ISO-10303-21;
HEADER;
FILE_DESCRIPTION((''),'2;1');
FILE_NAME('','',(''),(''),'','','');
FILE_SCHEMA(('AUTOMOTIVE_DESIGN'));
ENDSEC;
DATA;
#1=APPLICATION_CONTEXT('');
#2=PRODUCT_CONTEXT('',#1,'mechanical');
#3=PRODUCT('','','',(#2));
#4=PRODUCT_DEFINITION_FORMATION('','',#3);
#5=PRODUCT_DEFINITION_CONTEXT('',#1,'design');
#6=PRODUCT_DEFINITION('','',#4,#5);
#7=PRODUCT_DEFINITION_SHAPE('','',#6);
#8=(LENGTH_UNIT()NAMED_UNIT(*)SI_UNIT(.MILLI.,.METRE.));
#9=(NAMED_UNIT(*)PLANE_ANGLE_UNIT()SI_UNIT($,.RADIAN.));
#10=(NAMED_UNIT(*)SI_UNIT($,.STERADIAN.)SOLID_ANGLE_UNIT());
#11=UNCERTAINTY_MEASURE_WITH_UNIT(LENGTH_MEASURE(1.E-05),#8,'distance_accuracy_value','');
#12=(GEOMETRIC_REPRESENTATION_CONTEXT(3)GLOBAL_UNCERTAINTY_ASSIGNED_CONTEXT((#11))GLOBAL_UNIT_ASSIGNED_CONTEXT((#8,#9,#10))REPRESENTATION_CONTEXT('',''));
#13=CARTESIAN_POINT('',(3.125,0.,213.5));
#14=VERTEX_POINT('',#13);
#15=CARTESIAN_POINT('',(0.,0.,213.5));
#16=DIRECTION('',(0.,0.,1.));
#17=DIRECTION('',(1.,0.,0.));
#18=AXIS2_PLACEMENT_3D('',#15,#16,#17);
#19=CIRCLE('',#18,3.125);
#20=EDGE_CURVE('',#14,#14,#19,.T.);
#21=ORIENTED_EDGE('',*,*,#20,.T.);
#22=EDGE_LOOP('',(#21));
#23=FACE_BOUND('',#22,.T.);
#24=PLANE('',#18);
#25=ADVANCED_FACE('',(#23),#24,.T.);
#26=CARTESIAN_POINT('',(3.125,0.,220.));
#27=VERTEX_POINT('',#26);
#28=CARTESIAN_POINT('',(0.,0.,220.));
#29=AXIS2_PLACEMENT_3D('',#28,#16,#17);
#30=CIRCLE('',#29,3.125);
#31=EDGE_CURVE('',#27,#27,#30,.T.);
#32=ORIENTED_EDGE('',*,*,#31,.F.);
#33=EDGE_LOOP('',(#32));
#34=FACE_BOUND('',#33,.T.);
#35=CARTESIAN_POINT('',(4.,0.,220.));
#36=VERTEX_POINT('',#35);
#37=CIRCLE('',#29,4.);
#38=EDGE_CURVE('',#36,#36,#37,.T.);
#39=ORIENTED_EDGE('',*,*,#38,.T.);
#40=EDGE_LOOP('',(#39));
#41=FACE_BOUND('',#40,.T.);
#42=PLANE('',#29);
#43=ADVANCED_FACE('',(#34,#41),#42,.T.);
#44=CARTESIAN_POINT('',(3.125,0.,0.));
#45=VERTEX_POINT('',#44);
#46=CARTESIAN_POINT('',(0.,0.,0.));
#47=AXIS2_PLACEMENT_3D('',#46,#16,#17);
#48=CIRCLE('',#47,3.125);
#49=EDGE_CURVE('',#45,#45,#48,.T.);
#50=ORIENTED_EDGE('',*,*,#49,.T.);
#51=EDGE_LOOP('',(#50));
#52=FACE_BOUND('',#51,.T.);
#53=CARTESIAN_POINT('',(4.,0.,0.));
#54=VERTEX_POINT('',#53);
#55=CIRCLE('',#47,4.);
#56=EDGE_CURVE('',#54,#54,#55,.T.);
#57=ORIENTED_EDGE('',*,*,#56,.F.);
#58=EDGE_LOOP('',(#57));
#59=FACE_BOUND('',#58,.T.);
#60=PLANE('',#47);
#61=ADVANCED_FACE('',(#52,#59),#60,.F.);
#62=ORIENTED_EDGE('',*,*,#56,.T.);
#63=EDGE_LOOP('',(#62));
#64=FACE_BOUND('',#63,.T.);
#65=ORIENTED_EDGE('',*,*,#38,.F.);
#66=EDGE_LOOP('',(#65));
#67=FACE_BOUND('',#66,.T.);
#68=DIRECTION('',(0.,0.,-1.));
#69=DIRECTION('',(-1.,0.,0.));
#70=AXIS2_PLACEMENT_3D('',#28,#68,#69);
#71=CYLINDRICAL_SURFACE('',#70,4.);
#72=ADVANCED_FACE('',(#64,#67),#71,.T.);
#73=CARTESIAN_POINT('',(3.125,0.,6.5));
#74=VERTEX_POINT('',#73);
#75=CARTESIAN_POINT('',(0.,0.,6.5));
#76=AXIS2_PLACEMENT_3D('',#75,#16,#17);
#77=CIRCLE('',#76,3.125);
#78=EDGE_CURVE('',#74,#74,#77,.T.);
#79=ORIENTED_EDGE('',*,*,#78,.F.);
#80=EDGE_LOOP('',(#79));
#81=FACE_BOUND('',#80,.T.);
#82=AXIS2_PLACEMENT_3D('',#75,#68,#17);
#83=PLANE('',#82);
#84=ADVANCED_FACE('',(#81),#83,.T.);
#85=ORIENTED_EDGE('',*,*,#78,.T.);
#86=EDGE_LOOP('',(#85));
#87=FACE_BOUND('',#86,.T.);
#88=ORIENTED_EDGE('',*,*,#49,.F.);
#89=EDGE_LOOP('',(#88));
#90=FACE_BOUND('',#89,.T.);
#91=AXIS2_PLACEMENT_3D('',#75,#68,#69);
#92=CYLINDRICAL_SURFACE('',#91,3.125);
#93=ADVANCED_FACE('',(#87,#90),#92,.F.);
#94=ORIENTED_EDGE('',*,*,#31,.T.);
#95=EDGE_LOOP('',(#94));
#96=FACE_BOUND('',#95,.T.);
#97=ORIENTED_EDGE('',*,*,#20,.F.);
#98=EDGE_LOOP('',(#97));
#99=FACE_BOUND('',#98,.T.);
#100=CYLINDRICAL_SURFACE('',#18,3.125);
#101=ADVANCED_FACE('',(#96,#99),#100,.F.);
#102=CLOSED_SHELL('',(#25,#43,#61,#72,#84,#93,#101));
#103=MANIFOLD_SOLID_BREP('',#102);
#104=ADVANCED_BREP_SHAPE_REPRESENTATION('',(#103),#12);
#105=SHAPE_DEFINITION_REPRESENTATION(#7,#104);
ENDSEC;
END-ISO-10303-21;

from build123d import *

# Parameters (mm, degrees)
SKETCH1_R           = 4
BOSS_EXTRUDE1_DEPTH = 220
SKETCH2_R           = 3.125
CUT_EXTRUDE1_DEPTH  = 6.5


with BuildPart() as part:
    # Sketch1 → Boss-Extrude1 (new body)
    with BuildSketch(Plane.XY):
        Circle(SKETCH1_R)
    extrude(amount=BOSS_EXTRUDE1_DEPTH)

    # Sketch2 → Cut-Extrude1 (cut)
    with BuildSketch(Plane.XY.offset(220)):
        Circle(SKETCH2_R)
    cut_extrude1 = extrude(amount=-CUT_EXTRUDE1_DEPTH, mode=Mode.SUBTRACT)

    # Mirror1: Cut-Extrude1 across plane
    add(cut_extrude1.mirror(Plane.XY.offset(110)), mode=Mode.SUBTRACT)


solid = part.part
